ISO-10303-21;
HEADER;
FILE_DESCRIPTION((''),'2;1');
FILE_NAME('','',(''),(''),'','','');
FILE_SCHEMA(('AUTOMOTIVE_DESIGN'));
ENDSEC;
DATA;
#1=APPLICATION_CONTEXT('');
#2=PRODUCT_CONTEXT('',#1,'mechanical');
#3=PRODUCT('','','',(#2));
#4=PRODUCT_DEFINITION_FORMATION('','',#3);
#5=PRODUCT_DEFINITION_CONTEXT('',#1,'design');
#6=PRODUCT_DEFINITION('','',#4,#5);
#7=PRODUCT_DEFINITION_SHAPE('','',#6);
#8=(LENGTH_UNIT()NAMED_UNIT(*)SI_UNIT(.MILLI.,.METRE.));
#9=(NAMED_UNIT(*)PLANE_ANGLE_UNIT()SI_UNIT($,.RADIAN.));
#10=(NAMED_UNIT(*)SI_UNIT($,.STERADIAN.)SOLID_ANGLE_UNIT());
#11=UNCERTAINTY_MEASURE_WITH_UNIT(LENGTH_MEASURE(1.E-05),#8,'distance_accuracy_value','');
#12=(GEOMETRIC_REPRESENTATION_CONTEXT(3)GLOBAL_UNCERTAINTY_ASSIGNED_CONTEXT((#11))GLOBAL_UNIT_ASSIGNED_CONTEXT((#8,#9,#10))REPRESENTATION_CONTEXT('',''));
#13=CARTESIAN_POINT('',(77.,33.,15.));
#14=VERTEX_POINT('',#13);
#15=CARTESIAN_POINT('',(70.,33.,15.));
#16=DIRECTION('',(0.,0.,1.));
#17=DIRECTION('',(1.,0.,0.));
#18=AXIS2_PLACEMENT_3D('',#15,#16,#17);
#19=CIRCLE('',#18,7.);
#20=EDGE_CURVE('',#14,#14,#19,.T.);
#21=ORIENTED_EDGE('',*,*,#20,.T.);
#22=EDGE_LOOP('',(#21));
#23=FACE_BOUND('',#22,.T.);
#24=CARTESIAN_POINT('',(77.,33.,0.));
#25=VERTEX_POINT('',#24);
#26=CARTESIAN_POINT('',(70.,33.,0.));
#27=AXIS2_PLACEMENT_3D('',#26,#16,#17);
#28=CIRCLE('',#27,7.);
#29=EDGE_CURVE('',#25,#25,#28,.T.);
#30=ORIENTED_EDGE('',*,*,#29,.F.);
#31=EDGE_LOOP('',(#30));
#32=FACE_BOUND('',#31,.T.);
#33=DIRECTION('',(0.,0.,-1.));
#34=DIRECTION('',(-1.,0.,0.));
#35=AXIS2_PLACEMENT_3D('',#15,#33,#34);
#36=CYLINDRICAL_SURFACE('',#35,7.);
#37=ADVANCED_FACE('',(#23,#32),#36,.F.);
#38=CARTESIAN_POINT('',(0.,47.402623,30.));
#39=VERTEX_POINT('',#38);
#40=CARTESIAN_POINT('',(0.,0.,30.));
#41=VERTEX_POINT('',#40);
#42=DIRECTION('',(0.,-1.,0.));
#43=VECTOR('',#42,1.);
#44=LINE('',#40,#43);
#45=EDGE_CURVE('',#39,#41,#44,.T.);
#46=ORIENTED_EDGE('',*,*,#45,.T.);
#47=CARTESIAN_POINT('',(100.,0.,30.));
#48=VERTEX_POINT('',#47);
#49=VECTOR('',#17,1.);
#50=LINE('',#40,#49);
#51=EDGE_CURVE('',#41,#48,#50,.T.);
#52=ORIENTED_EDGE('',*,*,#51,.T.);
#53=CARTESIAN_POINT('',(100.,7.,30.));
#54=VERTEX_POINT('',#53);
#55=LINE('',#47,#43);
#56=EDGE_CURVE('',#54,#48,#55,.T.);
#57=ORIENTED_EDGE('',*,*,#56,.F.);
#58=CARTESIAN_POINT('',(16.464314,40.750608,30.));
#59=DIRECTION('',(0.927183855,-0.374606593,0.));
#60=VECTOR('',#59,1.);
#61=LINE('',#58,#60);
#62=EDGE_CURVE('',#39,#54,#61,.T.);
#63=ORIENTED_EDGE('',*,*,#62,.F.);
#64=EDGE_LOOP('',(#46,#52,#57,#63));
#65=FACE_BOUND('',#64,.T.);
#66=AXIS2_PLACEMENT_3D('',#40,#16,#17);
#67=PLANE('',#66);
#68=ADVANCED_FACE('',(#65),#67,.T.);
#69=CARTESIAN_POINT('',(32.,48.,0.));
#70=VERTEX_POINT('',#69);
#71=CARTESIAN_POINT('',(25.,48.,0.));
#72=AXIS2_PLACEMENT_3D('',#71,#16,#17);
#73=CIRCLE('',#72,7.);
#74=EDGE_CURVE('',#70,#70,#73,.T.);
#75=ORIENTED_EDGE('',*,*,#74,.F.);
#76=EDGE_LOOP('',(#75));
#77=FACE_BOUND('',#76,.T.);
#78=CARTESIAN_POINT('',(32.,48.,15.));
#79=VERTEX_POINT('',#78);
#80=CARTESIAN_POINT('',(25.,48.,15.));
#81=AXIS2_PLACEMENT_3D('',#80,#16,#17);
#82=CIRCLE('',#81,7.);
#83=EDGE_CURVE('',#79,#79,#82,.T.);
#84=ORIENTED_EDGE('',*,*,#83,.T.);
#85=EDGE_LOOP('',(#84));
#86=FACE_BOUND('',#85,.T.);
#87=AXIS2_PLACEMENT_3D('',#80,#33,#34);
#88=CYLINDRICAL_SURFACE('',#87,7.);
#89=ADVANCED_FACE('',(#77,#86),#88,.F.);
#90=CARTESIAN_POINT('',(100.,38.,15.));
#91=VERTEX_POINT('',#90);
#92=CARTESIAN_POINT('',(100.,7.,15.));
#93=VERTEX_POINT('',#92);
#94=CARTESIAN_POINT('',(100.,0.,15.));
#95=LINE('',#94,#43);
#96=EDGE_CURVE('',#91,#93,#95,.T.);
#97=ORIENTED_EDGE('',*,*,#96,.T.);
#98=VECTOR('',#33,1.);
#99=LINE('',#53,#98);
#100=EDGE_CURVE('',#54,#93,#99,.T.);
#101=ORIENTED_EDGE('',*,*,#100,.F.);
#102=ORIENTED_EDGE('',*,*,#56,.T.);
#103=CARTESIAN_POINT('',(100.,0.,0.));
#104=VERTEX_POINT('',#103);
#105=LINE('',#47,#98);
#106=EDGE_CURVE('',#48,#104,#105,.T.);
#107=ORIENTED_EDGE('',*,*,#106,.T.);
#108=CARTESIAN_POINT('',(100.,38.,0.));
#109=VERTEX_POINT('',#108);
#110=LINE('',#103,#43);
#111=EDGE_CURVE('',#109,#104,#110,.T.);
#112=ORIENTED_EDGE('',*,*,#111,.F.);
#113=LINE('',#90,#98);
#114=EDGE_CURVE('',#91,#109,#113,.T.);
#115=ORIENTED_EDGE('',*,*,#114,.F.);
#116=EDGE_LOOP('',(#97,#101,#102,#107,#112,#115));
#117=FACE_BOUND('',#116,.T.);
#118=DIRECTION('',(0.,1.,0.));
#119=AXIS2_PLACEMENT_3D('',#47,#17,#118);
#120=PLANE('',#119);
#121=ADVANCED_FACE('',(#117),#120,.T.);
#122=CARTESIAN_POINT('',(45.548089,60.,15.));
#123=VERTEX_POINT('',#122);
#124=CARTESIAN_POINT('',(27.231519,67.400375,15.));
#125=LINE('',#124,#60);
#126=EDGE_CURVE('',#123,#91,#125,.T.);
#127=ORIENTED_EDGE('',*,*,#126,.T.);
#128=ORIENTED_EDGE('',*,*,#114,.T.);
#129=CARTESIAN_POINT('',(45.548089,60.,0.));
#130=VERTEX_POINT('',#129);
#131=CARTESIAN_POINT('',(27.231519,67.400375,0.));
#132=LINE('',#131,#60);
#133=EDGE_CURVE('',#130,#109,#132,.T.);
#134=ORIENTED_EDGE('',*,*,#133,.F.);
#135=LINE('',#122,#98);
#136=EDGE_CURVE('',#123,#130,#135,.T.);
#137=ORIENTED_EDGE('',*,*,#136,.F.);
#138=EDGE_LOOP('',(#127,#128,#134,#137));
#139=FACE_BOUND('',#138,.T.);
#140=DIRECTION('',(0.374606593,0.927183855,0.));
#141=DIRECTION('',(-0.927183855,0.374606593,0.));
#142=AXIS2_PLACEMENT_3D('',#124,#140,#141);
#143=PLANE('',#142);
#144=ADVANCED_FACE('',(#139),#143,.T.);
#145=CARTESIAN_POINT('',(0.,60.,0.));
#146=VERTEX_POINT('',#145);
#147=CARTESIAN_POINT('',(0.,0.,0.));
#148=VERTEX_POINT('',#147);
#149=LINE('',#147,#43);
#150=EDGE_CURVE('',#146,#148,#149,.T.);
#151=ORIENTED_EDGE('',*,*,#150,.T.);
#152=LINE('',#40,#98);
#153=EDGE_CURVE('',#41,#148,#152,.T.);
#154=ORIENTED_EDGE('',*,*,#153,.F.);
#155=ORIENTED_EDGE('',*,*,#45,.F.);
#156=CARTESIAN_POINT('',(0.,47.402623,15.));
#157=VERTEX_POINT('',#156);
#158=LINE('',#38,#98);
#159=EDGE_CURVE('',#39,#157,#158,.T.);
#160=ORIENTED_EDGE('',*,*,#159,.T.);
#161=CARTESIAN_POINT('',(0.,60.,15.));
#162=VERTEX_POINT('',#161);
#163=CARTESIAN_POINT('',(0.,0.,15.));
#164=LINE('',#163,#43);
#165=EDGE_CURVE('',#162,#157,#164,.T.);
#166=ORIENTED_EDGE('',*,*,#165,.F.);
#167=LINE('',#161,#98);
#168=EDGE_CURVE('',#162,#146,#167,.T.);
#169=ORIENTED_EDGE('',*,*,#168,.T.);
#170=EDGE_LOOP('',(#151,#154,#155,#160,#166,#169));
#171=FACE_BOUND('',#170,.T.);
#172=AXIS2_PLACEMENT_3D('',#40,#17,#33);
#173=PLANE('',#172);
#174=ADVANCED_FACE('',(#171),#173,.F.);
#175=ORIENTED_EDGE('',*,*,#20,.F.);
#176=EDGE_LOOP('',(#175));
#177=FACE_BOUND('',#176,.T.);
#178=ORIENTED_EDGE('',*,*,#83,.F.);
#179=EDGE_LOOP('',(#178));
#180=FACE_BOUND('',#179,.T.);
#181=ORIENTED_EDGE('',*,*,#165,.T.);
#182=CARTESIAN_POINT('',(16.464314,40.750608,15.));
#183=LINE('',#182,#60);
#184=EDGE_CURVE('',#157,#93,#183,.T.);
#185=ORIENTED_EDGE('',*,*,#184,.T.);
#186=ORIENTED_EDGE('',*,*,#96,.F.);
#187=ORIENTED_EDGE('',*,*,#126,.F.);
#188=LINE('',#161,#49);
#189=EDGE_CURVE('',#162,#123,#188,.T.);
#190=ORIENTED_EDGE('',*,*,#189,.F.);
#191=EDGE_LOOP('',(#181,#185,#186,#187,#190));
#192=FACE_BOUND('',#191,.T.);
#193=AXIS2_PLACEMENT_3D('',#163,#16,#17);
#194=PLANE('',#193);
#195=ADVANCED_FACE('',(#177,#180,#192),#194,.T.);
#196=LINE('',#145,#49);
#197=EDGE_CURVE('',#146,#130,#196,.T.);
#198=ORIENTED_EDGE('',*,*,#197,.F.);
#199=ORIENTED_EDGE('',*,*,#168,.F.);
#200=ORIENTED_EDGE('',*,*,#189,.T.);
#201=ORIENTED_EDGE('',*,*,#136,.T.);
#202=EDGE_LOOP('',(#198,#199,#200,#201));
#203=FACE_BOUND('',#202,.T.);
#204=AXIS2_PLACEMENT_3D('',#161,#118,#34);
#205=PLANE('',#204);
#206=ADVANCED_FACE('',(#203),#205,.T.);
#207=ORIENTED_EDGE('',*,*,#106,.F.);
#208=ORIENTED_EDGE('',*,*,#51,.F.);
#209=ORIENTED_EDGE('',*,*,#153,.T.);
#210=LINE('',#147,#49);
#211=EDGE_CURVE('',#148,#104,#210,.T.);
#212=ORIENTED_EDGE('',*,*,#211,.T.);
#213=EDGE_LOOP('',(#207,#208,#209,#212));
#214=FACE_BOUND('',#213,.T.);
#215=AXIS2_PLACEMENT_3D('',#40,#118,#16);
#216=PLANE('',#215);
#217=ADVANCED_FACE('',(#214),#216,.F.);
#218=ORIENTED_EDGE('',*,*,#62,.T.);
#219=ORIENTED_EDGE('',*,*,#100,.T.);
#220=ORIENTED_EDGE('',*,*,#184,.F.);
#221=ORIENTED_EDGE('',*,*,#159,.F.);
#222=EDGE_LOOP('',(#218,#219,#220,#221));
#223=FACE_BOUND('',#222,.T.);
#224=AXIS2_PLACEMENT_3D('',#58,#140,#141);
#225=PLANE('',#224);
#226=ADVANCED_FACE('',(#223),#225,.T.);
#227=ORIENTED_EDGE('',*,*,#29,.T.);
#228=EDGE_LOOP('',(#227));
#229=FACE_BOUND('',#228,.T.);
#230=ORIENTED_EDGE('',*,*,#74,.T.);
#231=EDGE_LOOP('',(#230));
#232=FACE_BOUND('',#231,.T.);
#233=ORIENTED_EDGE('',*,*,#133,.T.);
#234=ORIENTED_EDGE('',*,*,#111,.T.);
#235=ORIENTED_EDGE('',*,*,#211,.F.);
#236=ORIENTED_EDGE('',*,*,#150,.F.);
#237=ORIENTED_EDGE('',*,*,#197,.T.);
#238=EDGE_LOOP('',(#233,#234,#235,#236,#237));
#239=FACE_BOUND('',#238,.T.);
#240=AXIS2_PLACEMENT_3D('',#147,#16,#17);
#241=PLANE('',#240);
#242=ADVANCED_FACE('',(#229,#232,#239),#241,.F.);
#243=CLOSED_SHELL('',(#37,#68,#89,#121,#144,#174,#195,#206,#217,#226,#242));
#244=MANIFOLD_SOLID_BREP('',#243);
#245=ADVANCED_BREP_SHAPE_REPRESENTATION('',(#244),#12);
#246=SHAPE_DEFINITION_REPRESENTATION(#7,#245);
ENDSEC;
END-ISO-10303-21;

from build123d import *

# Parameters (mm, degrees)
BOSS_EXTRUDE1_DEPTH = 30
SKETCH1_3_R         = 7
BOSS_EXTRUDE2_DEPTH = 15


with BuildPart() as part:
    # Sketch1 → Boss-Extrude1 (new body)
    with BuildSketch(Plane.XY):
        Polygon((0, 47.402622584), (0, 0), (100, 0), (100, 7), align=None)
    extrude(amount=BOSS_EXTRUDE1_DEPTH)

    # Sketch1<3> → Boss-Extrude2 (add)
    with BuildSketch(Plane.XY):
        Polygon((0, 60), (0, 47.402622584), (100, 7), (100, 38), (45.548089225, 60), align=None)
        with Locations((25, 48)):
            Circle(SKETCH1_3_R, mode=Mode.SUBTRACT)
        with Locations((70, 33)):
            Circle(SKETCH1_3_R, mode=Mode.SUBTRACT)
    extrude(amount=BOSS_EXTRUDE2_DEPTH)


solid = part.part
